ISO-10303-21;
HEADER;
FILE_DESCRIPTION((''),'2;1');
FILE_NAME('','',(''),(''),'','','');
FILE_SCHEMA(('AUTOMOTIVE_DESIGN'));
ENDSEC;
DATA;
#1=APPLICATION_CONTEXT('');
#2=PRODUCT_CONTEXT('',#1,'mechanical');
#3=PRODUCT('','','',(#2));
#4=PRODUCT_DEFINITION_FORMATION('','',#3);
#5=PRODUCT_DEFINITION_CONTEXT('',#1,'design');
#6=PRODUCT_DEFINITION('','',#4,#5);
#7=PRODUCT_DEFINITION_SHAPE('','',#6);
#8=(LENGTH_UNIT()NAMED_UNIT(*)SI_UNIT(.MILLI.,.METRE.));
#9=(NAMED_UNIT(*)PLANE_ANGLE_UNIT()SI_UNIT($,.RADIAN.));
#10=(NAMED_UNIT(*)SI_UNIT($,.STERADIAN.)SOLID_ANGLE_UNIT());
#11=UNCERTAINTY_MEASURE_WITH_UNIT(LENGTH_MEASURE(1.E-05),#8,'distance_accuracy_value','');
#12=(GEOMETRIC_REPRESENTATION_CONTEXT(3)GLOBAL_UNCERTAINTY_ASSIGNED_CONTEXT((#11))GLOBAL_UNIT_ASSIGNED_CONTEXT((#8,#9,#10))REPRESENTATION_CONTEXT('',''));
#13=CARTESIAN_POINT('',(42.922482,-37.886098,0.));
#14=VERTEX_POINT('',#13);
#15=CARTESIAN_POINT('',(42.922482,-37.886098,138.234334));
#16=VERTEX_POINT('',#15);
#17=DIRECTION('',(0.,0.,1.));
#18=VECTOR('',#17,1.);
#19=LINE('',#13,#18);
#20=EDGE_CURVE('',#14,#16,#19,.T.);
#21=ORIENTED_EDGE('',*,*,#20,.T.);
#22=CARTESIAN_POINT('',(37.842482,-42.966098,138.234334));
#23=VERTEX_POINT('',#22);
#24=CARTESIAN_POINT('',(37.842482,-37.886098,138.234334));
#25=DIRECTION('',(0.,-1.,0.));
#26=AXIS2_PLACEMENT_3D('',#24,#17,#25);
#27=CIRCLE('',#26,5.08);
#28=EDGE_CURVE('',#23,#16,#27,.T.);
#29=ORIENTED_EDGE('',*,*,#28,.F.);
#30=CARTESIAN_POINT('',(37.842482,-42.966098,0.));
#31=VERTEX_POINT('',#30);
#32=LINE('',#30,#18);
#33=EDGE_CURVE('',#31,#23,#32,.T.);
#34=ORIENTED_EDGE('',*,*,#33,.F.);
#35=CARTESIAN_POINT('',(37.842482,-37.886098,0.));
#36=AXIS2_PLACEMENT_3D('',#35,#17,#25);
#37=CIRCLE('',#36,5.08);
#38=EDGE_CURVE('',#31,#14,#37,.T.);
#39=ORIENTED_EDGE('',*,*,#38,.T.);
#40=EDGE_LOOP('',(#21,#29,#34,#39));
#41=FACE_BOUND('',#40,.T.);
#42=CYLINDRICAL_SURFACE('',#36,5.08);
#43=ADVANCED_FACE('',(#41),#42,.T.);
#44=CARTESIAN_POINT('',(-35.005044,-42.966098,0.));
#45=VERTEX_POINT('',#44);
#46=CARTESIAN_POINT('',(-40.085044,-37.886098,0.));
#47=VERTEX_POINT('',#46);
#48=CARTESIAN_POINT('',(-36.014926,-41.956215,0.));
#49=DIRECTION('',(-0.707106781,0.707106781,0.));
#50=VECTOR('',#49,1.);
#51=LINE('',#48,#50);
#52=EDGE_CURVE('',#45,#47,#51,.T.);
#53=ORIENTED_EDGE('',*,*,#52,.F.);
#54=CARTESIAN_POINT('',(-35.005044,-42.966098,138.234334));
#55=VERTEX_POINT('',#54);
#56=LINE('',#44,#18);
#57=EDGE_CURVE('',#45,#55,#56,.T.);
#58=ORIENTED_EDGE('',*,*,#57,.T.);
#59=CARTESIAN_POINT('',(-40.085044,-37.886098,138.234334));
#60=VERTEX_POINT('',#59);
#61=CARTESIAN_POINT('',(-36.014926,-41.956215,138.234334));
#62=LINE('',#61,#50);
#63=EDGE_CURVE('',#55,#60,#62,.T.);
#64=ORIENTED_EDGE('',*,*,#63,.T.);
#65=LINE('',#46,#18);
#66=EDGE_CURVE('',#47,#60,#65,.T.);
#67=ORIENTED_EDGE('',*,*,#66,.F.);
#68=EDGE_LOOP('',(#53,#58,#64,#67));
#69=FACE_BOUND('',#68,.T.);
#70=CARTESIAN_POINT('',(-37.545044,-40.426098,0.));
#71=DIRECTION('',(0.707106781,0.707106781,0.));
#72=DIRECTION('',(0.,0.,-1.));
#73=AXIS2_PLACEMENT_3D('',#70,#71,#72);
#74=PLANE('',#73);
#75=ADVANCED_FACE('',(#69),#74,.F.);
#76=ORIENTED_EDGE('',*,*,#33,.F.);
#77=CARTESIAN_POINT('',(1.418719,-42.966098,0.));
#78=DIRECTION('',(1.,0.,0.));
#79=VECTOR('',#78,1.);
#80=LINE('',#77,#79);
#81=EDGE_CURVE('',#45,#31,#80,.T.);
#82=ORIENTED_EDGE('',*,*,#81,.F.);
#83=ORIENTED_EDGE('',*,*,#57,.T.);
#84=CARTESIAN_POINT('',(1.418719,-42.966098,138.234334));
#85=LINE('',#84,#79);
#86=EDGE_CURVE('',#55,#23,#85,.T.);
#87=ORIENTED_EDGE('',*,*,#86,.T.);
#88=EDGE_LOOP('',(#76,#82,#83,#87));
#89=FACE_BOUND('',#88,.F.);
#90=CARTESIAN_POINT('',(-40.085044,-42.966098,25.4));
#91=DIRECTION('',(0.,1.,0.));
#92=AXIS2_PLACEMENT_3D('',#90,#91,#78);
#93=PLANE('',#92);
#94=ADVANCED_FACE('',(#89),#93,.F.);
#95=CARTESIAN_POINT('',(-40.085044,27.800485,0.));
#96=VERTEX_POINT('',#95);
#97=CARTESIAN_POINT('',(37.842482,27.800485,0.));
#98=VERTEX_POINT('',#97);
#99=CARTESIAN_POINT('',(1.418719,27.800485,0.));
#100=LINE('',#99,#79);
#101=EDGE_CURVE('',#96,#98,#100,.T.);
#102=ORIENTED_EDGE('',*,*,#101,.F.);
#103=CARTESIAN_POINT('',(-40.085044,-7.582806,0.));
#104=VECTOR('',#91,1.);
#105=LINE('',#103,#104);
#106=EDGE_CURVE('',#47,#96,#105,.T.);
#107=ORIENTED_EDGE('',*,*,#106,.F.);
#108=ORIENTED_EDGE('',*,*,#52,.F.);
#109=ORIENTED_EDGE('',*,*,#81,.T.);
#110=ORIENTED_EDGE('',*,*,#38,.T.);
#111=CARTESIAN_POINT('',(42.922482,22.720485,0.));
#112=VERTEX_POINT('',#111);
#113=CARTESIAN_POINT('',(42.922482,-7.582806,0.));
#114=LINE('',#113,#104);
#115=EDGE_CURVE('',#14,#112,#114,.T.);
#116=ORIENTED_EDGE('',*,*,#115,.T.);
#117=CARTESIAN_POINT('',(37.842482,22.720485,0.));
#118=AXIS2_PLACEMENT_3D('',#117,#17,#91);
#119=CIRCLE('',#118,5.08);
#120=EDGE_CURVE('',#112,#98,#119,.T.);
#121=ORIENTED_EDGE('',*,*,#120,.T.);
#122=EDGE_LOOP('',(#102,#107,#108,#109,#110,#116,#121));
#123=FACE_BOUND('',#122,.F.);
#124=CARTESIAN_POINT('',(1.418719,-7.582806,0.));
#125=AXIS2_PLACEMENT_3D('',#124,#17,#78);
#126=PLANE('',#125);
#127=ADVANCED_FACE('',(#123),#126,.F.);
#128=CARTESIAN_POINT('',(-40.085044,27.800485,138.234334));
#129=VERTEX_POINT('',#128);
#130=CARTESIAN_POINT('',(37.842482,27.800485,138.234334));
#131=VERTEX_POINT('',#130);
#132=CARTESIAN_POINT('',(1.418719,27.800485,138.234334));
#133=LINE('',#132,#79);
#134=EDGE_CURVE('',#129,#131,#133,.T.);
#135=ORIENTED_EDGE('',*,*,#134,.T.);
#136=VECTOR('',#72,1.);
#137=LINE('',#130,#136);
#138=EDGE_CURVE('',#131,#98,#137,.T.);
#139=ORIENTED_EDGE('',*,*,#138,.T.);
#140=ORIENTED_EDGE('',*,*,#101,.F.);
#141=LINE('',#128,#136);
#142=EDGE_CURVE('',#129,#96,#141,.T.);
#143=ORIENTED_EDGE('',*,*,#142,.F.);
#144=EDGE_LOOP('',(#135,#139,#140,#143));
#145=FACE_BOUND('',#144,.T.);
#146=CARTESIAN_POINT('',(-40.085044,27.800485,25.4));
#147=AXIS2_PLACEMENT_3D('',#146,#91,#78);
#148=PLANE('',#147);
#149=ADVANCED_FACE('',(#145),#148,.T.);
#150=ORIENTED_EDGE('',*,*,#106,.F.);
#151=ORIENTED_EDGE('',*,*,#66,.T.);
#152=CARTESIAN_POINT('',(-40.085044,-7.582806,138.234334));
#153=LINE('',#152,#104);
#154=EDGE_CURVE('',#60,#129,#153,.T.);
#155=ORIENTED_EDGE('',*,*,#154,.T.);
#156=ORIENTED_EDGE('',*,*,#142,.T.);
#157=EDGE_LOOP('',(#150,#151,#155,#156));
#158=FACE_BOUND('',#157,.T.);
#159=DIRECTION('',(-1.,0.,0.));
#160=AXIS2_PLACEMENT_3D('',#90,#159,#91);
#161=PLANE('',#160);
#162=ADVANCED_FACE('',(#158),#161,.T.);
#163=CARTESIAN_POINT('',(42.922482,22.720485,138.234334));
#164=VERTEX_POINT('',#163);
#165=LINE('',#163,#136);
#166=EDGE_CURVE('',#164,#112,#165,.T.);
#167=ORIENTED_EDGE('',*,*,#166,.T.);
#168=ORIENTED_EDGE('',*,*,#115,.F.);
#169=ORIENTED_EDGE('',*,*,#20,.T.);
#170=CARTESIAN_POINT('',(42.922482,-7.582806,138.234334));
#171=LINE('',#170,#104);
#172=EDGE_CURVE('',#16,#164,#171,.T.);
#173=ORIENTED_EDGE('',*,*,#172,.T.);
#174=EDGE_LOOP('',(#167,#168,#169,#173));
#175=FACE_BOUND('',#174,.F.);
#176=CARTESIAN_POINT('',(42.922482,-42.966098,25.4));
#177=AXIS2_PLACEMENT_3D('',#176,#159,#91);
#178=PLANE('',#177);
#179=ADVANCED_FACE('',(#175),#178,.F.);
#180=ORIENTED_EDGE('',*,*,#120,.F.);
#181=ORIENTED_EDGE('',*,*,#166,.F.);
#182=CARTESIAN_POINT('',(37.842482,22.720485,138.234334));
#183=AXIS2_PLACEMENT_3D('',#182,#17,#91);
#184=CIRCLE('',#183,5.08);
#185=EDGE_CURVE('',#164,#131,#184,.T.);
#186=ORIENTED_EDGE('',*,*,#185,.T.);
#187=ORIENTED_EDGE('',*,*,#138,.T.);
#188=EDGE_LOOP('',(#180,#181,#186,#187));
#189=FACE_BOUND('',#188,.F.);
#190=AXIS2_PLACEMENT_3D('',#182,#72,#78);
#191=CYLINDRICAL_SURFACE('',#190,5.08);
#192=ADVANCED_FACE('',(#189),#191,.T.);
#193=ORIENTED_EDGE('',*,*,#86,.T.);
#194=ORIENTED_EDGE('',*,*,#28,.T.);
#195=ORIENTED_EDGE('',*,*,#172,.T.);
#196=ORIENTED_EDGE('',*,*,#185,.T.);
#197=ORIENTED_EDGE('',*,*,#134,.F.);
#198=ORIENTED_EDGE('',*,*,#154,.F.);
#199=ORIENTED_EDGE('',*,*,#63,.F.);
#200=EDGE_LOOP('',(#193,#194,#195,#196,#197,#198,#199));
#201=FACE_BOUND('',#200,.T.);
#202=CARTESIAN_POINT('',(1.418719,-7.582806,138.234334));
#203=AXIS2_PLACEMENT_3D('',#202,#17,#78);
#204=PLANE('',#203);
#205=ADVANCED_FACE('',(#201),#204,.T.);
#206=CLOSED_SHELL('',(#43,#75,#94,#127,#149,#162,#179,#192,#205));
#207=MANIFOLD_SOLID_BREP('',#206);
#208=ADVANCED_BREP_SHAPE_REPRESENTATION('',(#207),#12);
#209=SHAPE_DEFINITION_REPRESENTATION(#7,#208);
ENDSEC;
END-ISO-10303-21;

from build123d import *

# Parameters (mm, degrees)
F0_W     = 83.0075256526
F0_H     = 70.7665830851
F1_DEPTH = 25.4
F2_W     = 83.0075256526
F2_H     = 70.7665830851
F3_DEPTH = 112.8343343735
F4_R     = 5.08
F5_SIZE  = 5.08


with BuildPart() as f1:
    # F0 (on Top) → F1 (new body)
    with BuildSketch(Plane.XY):
        with Locations((1.4187190682, -7.5828060508)):
            Rectangle(F0_W, F0_H)
    extrude(amount=F1_DEPTH)

    # F2 (on face) → F3 (join)
    with BuildSketch(Plane.XY.offset(25.4)):
        with Locations((1.4187190682, -7.5828060508)):
            Rectangle(F2_W, F2_H)
    extrude(amount=F3_DEPTH)

    # F4
    f4_edges = [f1.edges().sort_by_distance(p)[0] for p in [
        (42.922482, -42.966098, 69.117167),
        (42.922482, 27.800485, 69.117167),
    ]]
    fillet(f4_edges, radius=F4_R)

    # F5
    f5_edges = [f1.edges().sort_by_distance(p)[0] for p in [
        (-40.085044, -42.966098, 69.117167),
    ]]
    chamfer(f5_edges, length=F5_SIZE)


solid = f1.part
